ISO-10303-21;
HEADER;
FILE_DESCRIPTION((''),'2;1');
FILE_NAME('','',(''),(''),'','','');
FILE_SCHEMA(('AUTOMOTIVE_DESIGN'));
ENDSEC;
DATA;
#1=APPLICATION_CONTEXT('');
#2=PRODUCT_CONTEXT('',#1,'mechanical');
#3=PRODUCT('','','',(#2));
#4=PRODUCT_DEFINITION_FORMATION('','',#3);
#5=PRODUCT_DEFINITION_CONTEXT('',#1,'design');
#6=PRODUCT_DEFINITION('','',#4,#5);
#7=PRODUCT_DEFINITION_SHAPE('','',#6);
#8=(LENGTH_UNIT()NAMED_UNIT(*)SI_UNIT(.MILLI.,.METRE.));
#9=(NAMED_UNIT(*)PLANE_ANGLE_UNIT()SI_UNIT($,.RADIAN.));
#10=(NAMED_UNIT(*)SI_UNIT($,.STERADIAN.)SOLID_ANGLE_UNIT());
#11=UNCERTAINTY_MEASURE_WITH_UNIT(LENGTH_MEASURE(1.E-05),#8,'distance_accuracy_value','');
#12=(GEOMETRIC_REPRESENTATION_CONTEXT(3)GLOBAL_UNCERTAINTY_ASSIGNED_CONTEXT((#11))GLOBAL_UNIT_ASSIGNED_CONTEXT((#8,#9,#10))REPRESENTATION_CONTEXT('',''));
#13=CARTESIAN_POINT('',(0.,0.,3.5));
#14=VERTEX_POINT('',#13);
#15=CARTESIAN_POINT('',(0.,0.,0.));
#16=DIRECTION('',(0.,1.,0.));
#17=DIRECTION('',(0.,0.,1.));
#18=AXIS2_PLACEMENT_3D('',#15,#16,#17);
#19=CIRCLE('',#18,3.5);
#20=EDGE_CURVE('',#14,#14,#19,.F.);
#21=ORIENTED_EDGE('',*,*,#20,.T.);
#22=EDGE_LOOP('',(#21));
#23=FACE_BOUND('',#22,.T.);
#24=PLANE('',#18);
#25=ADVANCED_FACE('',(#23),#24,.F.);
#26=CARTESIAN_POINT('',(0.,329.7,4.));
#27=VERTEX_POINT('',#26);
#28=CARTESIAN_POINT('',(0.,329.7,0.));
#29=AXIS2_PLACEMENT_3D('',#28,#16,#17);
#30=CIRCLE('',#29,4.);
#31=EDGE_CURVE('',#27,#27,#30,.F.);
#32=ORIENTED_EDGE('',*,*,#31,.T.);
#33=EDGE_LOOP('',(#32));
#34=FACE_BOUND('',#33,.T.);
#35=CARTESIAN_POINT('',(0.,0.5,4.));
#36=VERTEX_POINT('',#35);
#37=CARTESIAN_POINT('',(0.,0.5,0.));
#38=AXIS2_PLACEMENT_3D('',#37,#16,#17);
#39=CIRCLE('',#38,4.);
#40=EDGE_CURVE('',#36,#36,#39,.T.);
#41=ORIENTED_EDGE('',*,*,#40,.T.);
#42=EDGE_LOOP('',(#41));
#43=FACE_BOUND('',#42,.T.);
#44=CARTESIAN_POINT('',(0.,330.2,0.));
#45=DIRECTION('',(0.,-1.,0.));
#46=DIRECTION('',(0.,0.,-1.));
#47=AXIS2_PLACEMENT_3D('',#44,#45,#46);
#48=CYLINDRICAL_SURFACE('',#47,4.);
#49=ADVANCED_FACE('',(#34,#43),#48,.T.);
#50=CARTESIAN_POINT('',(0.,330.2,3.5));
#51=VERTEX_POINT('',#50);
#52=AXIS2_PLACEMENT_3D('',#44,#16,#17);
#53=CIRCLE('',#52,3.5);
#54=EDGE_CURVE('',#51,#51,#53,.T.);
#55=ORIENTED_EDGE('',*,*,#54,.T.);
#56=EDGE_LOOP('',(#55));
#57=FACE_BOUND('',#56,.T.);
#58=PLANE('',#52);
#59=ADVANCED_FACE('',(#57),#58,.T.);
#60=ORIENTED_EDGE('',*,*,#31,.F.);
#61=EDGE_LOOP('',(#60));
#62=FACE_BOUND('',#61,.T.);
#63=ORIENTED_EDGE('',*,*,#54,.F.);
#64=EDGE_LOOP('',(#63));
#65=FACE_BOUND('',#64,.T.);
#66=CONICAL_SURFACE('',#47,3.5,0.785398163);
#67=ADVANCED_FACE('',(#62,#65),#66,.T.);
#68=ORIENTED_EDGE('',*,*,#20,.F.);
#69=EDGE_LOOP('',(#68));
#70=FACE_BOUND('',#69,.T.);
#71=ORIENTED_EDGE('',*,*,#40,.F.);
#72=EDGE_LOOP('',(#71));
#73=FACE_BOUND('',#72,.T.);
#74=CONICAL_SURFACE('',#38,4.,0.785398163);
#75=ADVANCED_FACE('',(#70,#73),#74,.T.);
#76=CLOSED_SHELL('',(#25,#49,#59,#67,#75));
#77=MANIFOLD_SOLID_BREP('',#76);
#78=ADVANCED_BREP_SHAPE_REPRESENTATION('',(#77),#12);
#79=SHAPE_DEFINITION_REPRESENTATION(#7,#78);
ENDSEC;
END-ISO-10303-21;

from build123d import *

# Parameters (mm, degrees)
SKETCH1_R           = 4
BOSS_EXTRUDE1_DEPTH = 330.2
CHAMFER1_SIZE       = 0.5


with BuildPart() as part:
    # Sketch1 → Boss-Extrude1 (new body)
    with BuildSketch(Plane(origin=(0, 0, 0), x_dir=(1, 0, 0), z_dir=(0, 1, 0))):
        Circle(SKETCH1_R)
    extrude(amount=BOSS_EXTRUDE1_DEPTH)

    # Chamfer1
    chamfer1_edges = [part.edges().sort_by_distance(p)[0] for p in [
        (-4, 0, 0),
        (-4, 330.2, 0),
    ]]
    chamfer(chamfer1_edges, length=CHAMFER1_SIZE)


solid = part.part
